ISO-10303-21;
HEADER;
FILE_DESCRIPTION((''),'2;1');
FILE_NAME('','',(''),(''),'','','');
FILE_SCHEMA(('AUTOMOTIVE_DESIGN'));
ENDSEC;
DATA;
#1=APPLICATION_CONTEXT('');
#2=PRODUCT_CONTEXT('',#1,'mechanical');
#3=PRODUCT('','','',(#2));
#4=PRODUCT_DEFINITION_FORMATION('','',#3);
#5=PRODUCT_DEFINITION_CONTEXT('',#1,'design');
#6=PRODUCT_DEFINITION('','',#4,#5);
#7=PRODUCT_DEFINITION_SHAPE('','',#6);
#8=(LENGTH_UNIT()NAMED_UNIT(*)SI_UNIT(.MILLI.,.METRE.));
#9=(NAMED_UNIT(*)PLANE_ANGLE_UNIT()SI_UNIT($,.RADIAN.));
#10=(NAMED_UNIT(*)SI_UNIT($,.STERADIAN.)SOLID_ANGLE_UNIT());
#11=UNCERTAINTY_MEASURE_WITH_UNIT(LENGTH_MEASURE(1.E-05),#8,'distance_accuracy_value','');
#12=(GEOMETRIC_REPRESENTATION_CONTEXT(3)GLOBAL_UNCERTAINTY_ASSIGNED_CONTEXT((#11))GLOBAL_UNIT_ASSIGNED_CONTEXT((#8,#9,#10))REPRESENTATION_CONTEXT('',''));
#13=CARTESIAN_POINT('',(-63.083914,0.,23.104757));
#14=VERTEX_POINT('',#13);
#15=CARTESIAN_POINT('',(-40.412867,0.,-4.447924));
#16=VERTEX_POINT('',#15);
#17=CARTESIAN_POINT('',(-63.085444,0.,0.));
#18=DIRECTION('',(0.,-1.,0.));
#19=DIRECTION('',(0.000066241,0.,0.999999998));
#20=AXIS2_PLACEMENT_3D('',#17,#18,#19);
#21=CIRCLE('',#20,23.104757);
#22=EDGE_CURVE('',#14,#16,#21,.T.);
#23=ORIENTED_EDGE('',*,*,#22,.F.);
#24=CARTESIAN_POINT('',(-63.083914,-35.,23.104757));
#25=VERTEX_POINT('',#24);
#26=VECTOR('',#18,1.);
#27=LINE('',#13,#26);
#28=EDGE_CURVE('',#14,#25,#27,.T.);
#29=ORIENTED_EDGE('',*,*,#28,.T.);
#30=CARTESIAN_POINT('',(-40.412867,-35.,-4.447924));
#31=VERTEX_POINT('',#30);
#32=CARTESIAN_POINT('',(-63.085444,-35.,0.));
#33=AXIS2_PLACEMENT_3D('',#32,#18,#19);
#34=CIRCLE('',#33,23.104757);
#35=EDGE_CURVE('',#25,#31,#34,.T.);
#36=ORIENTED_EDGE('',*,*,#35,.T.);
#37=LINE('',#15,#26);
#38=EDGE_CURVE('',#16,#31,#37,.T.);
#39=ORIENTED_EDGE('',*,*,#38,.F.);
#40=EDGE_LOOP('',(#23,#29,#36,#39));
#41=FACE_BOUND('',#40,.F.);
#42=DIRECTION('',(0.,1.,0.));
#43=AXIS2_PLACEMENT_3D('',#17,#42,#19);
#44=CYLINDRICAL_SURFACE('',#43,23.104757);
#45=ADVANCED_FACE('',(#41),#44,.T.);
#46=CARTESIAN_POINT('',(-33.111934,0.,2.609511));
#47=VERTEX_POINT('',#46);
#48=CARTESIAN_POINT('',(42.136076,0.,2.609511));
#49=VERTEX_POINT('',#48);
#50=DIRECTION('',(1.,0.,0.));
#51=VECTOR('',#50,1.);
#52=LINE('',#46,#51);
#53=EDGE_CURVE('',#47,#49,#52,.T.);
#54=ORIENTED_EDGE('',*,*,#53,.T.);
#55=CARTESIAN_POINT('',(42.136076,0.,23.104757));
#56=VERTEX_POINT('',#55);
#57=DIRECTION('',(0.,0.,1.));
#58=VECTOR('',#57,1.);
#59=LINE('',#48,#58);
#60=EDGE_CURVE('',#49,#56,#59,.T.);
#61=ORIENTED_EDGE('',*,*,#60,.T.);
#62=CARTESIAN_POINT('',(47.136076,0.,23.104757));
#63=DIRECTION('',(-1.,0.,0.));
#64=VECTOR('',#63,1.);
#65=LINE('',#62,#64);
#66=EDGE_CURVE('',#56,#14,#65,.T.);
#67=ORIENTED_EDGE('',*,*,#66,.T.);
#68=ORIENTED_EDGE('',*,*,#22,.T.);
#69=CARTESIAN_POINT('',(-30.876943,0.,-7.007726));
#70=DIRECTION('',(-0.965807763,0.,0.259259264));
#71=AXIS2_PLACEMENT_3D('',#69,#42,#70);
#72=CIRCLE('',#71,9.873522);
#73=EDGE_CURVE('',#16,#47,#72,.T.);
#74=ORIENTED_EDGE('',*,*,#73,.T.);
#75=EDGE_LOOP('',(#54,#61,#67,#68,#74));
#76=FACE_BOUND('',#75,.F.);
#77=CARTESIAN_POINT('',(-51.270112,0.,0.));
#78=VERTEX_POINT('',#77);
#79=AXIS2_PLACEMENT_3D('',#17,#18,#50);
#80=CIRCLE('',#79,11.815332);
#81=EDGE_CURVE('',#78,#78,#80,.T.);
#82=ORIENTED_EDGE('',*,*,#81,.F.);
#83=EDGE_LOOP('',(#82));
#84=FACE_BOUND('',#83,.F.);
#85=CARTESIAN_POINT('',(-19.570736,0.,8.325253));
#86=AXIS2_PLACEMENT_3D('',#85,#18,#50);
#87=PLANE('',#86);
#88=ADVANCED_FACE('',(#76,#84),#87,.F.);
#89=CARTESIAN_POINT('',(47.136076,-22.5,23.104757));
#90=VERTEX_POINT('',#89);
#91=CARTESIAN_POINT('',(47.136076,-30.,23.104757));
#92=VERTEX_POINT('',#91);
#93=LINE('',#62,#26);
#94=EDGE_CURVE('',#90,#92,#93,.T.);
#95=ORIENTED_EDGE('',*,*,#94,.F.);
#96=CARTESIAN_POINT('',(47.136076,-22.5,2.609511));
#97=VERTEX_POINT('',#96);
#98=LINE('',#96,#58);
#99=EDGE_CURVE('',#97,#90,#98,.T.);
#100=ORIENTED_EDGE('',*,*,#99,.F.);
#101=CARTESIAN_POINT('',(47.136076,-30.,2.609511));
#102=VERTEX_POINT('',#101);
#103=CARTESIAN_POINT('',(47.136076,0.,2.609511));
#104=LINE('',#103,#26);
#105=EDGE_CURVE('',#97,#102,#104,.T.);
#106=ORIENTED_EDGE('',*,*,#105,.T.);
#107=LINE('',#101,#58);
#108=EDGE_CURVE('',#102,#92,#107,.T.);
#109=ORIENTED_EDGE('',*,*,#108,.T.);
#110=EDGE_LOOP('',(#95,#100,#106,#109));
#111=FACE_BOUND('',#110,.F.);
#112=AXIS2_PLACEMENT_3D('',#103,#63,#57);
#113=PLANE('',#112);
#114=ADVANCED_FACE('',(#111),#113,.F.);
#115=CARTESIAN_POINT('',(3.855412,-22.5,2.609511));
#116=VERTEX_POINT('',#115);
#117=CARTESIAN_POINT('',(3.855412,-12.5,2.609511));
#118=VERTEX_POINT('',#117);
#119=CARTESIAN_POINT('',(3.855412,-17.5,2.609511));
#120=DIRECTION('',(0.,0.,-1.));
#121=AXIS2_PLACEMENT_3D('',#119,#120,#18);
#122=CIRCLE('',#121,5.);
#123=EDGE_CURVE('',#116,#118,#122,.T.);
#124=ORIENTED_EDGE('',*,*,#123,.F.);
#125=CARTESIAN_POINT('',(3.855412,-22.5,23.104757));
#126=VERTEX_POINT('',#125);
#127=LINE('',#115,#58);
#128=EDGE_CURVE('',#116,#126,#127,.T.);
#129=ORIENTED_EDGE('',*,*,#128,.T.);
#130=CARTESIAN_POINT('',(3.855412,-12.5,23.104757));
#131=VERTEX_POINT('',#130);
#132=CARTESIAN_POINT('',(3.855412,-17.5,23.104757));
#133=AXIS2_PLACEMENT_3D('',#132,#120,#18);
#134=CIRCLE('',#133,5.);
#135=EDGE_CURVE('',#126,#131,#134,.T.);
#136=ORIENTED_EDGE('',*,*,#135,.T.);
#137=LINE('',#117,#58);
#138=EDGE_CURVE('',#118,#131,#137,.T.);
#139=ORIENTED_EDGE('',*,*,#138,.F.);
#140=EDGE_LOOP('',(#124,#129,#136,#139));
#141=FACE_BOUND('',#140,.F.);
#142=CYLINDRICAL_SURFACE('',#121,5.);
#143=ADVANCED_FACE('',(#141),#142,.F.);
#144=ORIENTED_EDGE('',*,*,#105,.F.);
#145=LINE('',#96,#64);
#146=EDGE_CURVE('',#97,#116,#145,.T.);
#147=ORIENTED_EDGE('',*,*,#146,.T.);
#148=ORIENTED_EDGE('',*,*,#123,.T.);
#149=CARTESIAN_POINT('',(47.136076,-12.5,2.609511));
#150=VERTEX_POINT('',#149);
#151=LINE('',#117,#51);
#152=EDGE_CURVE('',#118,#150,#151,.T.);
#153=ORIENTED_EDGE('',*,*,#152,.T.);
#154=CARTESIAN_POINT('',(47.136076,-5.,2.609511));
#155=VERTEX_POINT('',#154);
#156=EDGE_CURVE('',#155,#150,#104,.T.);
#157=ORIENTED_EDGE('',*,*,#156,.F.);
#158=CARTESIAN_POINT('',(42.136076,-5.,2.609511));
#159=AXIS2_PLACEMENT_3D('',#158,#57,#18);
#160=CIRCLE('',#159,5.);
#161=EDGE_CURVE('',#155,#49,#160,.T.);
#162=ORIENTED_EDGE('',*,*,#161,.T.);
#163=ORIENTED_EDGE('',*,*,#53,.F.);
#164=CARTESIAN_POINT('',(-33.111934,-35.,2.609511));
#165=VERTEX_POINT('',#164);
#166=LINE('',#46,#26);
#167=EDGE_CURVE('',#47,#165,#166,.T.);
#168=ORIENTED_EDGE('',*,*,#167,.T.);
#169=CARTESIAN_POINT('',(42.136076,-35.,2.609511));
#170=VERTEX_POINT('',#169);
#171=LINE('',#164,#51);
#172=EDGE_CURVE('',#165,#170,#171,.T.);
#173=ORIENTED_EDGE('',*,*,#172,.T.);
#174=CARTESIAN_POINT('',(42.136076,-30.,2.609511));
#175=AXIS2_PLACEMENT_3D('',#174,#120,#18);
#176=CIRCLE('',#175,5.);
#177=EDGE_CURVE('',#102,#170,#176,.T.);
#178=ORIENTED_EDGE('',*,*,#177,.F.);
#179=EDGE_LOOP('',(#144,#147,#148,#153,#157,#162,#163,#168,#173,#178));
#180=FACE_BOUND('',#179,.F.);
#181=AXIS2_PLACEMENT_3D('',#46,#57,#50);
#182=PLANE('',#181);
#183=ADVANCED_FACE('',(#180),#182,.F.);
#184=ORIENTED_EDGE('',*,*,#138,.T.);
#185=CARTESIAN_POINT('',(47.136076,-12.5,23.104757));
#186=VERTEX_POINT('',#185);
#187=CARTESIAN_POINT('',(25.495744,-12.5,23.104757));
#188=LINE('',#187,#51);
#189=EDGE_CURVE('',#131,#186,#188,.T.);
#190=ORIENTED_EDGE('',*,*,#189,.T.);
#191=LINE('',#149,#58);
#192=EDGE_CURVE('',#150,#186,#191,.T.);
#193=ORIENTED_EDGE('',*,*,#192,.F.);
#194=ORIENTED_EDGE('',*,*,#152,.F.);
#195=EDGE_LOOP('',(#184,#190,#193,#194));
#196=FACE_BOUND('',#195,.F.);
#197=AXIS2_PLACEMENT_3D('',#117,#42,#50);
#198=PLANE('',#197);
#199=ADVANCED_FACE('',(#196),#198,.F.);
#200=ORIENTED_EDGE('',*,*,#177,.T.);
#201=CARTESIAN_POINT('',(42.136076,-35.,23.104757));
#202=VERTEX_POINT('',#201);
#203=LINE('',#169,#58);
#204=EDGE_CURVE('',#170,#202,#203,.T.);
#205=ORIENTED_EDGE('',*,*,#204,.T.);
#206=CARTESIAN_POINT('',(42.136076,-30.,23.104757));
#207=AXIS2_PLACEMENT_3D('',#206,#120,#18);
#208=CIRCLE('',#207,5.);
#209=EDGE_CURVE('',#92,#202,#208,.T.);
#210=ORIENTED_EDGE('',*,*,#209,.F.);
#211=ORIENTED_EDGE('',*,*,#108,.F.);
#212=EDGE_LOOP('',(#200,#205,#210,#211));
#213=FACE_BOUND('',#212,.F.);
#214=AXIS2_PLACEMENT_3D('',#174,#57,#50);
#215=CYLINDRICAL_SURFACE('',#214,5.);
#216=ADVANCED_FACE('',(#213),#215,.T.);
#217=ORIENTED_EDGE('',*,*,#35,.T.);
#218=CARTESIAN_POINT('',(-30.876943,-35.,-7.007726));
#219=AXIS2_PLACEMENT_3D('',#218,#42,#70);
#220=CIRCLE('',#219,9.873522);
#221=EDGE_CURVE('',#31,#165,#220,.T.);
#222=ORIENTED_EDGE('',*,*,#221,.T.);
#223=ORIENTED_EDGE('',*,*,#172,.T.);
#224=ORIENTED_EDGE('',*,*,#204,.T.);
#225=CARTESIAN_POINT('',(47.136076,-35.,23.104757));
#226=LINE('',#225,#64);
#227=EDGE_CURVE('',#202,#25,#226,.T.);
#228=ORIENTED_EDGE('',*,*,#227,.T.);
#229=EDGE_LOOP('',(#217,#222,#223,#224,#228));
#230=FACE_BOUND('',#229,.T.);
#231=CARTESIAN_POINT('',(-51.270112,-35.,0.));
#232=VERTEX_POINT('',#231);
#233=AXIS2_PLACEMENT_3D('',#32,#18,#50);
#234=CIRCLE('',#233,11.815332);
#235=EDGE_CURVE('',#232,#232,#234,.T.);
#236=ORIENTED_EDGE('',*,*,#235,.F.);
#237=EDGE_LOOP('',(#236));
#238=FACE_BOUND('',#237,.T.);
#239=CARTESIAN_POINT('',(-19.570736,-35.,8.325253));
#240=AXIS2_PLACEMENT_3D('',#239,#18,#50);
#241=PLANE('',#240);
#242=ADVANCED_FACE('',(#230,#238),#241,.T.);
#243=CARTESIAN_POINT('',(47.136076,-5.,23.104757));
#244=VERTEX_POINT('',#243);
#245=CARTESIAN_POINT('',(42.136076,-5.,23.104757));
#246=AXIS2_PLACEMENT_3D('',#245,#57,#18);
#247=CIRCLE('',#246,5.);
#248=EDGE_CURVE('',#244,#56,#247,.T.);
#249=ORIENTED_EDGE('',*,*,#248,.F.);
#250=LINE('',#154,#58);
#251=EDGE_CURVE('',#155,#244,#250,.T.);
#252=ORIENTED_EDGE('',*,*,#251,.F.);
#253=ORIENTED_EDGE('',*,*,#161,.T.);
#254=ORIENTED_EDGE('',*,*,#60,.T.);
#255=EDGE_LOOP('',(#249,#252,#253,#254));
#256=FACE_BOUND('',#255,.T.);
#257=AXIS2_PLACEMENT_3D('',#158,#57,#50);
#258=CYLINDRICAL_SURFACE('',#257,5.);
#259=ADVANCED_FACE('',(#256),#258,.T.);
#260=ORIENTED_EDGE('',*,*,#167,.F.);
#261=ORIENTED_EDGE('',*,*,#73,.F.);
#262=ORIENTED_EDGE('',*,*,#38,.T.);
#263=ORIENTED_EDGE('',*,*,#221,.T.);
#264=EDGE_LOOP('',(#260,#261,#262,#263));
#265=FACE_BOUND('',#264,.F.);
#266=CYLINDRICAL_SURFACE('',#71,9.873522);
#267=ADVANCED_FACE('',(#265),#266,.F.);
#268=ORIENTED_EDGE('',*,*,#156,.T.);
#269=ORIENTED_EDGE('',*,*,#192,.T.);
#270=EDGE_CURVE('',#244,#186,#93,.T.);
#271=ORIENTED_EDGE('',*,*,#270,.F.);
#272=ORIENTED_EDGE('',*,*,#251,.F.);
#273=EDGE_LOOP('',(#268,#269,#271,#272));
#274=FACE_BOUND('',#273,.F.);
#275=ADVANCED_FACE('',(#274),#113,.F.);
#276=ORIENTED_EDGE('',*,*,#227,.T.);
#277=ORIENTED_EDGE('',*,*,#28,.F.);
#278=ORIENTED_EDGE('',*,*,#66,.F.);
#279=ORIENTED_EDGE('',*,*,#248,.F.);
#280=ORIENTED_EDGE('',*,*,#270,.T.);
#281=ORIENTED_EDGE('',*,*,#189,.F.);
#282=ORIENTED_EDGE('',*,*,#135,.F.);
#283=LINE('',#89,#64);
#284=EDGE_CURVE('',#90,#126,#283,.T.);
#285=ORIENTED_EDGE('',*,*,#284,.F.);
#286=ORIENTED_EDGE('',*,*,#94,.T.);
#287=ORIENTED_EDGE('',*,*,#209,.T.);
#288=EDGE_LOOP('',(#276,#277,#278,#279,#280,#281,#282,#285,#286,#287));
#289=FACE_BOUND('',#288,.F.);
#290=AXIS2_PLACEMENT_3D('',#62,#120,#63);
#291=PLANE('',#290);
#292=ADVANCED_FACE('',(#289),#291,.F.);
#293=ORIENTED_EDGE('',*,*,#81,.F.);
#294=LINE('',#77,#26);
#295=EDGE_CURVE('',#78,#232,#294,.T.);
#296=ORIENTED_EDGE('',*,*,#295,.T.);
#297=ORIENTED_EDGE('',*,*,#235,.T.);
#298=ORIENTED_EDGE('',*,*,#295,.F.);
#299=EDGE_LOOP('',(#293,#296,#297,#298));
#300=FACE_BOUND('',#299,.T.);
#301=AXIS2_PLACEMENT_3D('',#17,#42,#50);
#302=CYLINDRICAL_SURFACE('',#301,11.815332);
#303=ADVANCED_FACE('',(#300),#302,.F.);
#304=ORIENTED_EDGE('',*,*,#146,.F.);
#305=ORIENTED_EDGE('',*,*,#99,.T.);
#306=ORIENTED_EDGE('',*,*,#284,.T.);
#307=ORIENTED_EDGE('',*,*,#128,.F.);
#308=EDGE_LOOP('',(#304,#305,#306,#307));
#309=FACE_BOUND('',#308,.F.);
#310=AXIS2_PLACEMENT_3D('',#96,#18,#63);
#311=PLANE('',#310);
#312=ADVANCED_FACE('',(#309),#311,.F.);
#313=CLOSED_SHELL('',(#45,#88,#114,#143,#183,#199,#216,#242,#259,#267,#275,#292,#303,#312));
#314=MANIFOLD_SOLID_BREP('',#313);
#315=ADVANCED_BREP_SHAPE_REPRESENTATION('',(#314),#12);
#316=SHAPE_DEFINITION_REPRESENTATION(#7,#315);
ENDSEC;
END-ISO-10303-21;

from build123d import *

# Parameters (mm, degrees)
F0_R     = 11.815332
F1_DEPTH = 35
F2_R     = 5
F4_DEPTH = 40


with BuildPart() as f1:
    # F0 (on Front) → F1 (new body)
    with BuildSketch(Plane.XZ):
        with BuildLine():
            Line((47.136076, 23.104757), (-63.083914, 23.104757))
            ThreePointArc((-63.083914, 23.104757), (-80.926867, -14.680376), (-40.412867, -4.447924))
            ThreePointArc((-40.412867, -4.447924), (-37.739192, 0.091286), (-33.111934, 2.609511))
            Line((-33.111934, 2.609511), (47.136076, 2.609511))
            Line((47.136076, 2.609511), (47.136076, 23.104757))
        make_face()
        with Locations((-63.085444, 0)):
            Circle(F0_R, mode=Mode.SUBTRACT)
    extrude(amount=F1_DEPTH)

    # F2
    f2_edges = [f1.edges().sort_by_distance(p)[0] for p in [
        (47.136076, -35, 12.857134),
        (47.136076, 0, 12.857134),
    ]]
    fillet(f2_edges, radius=F2_R)

    # F3 (on face) → F4 (cut)
    with BuildSketch(Plane(origin=(0, 0, 2.609511), x_dir=(1, 0, 0), z_dir=(0, 0, -1))):
        with BuildLine():
            Line((47.136076, 12.5), (47.136076, 22.5))
            Line((47.136076, 22.5), (3.855412, 22.5))
            ThreePointArc((3.855412, 22.5), (-1.144588, 17.5), (3.855412, 12.5))
            Line((3.855412, 12.5), (47.136076, 12.5))
        make_face()
    extrude(amount=-F4_DEPTH, mode=Mode.SUBTRACT)


solid = f1.part
